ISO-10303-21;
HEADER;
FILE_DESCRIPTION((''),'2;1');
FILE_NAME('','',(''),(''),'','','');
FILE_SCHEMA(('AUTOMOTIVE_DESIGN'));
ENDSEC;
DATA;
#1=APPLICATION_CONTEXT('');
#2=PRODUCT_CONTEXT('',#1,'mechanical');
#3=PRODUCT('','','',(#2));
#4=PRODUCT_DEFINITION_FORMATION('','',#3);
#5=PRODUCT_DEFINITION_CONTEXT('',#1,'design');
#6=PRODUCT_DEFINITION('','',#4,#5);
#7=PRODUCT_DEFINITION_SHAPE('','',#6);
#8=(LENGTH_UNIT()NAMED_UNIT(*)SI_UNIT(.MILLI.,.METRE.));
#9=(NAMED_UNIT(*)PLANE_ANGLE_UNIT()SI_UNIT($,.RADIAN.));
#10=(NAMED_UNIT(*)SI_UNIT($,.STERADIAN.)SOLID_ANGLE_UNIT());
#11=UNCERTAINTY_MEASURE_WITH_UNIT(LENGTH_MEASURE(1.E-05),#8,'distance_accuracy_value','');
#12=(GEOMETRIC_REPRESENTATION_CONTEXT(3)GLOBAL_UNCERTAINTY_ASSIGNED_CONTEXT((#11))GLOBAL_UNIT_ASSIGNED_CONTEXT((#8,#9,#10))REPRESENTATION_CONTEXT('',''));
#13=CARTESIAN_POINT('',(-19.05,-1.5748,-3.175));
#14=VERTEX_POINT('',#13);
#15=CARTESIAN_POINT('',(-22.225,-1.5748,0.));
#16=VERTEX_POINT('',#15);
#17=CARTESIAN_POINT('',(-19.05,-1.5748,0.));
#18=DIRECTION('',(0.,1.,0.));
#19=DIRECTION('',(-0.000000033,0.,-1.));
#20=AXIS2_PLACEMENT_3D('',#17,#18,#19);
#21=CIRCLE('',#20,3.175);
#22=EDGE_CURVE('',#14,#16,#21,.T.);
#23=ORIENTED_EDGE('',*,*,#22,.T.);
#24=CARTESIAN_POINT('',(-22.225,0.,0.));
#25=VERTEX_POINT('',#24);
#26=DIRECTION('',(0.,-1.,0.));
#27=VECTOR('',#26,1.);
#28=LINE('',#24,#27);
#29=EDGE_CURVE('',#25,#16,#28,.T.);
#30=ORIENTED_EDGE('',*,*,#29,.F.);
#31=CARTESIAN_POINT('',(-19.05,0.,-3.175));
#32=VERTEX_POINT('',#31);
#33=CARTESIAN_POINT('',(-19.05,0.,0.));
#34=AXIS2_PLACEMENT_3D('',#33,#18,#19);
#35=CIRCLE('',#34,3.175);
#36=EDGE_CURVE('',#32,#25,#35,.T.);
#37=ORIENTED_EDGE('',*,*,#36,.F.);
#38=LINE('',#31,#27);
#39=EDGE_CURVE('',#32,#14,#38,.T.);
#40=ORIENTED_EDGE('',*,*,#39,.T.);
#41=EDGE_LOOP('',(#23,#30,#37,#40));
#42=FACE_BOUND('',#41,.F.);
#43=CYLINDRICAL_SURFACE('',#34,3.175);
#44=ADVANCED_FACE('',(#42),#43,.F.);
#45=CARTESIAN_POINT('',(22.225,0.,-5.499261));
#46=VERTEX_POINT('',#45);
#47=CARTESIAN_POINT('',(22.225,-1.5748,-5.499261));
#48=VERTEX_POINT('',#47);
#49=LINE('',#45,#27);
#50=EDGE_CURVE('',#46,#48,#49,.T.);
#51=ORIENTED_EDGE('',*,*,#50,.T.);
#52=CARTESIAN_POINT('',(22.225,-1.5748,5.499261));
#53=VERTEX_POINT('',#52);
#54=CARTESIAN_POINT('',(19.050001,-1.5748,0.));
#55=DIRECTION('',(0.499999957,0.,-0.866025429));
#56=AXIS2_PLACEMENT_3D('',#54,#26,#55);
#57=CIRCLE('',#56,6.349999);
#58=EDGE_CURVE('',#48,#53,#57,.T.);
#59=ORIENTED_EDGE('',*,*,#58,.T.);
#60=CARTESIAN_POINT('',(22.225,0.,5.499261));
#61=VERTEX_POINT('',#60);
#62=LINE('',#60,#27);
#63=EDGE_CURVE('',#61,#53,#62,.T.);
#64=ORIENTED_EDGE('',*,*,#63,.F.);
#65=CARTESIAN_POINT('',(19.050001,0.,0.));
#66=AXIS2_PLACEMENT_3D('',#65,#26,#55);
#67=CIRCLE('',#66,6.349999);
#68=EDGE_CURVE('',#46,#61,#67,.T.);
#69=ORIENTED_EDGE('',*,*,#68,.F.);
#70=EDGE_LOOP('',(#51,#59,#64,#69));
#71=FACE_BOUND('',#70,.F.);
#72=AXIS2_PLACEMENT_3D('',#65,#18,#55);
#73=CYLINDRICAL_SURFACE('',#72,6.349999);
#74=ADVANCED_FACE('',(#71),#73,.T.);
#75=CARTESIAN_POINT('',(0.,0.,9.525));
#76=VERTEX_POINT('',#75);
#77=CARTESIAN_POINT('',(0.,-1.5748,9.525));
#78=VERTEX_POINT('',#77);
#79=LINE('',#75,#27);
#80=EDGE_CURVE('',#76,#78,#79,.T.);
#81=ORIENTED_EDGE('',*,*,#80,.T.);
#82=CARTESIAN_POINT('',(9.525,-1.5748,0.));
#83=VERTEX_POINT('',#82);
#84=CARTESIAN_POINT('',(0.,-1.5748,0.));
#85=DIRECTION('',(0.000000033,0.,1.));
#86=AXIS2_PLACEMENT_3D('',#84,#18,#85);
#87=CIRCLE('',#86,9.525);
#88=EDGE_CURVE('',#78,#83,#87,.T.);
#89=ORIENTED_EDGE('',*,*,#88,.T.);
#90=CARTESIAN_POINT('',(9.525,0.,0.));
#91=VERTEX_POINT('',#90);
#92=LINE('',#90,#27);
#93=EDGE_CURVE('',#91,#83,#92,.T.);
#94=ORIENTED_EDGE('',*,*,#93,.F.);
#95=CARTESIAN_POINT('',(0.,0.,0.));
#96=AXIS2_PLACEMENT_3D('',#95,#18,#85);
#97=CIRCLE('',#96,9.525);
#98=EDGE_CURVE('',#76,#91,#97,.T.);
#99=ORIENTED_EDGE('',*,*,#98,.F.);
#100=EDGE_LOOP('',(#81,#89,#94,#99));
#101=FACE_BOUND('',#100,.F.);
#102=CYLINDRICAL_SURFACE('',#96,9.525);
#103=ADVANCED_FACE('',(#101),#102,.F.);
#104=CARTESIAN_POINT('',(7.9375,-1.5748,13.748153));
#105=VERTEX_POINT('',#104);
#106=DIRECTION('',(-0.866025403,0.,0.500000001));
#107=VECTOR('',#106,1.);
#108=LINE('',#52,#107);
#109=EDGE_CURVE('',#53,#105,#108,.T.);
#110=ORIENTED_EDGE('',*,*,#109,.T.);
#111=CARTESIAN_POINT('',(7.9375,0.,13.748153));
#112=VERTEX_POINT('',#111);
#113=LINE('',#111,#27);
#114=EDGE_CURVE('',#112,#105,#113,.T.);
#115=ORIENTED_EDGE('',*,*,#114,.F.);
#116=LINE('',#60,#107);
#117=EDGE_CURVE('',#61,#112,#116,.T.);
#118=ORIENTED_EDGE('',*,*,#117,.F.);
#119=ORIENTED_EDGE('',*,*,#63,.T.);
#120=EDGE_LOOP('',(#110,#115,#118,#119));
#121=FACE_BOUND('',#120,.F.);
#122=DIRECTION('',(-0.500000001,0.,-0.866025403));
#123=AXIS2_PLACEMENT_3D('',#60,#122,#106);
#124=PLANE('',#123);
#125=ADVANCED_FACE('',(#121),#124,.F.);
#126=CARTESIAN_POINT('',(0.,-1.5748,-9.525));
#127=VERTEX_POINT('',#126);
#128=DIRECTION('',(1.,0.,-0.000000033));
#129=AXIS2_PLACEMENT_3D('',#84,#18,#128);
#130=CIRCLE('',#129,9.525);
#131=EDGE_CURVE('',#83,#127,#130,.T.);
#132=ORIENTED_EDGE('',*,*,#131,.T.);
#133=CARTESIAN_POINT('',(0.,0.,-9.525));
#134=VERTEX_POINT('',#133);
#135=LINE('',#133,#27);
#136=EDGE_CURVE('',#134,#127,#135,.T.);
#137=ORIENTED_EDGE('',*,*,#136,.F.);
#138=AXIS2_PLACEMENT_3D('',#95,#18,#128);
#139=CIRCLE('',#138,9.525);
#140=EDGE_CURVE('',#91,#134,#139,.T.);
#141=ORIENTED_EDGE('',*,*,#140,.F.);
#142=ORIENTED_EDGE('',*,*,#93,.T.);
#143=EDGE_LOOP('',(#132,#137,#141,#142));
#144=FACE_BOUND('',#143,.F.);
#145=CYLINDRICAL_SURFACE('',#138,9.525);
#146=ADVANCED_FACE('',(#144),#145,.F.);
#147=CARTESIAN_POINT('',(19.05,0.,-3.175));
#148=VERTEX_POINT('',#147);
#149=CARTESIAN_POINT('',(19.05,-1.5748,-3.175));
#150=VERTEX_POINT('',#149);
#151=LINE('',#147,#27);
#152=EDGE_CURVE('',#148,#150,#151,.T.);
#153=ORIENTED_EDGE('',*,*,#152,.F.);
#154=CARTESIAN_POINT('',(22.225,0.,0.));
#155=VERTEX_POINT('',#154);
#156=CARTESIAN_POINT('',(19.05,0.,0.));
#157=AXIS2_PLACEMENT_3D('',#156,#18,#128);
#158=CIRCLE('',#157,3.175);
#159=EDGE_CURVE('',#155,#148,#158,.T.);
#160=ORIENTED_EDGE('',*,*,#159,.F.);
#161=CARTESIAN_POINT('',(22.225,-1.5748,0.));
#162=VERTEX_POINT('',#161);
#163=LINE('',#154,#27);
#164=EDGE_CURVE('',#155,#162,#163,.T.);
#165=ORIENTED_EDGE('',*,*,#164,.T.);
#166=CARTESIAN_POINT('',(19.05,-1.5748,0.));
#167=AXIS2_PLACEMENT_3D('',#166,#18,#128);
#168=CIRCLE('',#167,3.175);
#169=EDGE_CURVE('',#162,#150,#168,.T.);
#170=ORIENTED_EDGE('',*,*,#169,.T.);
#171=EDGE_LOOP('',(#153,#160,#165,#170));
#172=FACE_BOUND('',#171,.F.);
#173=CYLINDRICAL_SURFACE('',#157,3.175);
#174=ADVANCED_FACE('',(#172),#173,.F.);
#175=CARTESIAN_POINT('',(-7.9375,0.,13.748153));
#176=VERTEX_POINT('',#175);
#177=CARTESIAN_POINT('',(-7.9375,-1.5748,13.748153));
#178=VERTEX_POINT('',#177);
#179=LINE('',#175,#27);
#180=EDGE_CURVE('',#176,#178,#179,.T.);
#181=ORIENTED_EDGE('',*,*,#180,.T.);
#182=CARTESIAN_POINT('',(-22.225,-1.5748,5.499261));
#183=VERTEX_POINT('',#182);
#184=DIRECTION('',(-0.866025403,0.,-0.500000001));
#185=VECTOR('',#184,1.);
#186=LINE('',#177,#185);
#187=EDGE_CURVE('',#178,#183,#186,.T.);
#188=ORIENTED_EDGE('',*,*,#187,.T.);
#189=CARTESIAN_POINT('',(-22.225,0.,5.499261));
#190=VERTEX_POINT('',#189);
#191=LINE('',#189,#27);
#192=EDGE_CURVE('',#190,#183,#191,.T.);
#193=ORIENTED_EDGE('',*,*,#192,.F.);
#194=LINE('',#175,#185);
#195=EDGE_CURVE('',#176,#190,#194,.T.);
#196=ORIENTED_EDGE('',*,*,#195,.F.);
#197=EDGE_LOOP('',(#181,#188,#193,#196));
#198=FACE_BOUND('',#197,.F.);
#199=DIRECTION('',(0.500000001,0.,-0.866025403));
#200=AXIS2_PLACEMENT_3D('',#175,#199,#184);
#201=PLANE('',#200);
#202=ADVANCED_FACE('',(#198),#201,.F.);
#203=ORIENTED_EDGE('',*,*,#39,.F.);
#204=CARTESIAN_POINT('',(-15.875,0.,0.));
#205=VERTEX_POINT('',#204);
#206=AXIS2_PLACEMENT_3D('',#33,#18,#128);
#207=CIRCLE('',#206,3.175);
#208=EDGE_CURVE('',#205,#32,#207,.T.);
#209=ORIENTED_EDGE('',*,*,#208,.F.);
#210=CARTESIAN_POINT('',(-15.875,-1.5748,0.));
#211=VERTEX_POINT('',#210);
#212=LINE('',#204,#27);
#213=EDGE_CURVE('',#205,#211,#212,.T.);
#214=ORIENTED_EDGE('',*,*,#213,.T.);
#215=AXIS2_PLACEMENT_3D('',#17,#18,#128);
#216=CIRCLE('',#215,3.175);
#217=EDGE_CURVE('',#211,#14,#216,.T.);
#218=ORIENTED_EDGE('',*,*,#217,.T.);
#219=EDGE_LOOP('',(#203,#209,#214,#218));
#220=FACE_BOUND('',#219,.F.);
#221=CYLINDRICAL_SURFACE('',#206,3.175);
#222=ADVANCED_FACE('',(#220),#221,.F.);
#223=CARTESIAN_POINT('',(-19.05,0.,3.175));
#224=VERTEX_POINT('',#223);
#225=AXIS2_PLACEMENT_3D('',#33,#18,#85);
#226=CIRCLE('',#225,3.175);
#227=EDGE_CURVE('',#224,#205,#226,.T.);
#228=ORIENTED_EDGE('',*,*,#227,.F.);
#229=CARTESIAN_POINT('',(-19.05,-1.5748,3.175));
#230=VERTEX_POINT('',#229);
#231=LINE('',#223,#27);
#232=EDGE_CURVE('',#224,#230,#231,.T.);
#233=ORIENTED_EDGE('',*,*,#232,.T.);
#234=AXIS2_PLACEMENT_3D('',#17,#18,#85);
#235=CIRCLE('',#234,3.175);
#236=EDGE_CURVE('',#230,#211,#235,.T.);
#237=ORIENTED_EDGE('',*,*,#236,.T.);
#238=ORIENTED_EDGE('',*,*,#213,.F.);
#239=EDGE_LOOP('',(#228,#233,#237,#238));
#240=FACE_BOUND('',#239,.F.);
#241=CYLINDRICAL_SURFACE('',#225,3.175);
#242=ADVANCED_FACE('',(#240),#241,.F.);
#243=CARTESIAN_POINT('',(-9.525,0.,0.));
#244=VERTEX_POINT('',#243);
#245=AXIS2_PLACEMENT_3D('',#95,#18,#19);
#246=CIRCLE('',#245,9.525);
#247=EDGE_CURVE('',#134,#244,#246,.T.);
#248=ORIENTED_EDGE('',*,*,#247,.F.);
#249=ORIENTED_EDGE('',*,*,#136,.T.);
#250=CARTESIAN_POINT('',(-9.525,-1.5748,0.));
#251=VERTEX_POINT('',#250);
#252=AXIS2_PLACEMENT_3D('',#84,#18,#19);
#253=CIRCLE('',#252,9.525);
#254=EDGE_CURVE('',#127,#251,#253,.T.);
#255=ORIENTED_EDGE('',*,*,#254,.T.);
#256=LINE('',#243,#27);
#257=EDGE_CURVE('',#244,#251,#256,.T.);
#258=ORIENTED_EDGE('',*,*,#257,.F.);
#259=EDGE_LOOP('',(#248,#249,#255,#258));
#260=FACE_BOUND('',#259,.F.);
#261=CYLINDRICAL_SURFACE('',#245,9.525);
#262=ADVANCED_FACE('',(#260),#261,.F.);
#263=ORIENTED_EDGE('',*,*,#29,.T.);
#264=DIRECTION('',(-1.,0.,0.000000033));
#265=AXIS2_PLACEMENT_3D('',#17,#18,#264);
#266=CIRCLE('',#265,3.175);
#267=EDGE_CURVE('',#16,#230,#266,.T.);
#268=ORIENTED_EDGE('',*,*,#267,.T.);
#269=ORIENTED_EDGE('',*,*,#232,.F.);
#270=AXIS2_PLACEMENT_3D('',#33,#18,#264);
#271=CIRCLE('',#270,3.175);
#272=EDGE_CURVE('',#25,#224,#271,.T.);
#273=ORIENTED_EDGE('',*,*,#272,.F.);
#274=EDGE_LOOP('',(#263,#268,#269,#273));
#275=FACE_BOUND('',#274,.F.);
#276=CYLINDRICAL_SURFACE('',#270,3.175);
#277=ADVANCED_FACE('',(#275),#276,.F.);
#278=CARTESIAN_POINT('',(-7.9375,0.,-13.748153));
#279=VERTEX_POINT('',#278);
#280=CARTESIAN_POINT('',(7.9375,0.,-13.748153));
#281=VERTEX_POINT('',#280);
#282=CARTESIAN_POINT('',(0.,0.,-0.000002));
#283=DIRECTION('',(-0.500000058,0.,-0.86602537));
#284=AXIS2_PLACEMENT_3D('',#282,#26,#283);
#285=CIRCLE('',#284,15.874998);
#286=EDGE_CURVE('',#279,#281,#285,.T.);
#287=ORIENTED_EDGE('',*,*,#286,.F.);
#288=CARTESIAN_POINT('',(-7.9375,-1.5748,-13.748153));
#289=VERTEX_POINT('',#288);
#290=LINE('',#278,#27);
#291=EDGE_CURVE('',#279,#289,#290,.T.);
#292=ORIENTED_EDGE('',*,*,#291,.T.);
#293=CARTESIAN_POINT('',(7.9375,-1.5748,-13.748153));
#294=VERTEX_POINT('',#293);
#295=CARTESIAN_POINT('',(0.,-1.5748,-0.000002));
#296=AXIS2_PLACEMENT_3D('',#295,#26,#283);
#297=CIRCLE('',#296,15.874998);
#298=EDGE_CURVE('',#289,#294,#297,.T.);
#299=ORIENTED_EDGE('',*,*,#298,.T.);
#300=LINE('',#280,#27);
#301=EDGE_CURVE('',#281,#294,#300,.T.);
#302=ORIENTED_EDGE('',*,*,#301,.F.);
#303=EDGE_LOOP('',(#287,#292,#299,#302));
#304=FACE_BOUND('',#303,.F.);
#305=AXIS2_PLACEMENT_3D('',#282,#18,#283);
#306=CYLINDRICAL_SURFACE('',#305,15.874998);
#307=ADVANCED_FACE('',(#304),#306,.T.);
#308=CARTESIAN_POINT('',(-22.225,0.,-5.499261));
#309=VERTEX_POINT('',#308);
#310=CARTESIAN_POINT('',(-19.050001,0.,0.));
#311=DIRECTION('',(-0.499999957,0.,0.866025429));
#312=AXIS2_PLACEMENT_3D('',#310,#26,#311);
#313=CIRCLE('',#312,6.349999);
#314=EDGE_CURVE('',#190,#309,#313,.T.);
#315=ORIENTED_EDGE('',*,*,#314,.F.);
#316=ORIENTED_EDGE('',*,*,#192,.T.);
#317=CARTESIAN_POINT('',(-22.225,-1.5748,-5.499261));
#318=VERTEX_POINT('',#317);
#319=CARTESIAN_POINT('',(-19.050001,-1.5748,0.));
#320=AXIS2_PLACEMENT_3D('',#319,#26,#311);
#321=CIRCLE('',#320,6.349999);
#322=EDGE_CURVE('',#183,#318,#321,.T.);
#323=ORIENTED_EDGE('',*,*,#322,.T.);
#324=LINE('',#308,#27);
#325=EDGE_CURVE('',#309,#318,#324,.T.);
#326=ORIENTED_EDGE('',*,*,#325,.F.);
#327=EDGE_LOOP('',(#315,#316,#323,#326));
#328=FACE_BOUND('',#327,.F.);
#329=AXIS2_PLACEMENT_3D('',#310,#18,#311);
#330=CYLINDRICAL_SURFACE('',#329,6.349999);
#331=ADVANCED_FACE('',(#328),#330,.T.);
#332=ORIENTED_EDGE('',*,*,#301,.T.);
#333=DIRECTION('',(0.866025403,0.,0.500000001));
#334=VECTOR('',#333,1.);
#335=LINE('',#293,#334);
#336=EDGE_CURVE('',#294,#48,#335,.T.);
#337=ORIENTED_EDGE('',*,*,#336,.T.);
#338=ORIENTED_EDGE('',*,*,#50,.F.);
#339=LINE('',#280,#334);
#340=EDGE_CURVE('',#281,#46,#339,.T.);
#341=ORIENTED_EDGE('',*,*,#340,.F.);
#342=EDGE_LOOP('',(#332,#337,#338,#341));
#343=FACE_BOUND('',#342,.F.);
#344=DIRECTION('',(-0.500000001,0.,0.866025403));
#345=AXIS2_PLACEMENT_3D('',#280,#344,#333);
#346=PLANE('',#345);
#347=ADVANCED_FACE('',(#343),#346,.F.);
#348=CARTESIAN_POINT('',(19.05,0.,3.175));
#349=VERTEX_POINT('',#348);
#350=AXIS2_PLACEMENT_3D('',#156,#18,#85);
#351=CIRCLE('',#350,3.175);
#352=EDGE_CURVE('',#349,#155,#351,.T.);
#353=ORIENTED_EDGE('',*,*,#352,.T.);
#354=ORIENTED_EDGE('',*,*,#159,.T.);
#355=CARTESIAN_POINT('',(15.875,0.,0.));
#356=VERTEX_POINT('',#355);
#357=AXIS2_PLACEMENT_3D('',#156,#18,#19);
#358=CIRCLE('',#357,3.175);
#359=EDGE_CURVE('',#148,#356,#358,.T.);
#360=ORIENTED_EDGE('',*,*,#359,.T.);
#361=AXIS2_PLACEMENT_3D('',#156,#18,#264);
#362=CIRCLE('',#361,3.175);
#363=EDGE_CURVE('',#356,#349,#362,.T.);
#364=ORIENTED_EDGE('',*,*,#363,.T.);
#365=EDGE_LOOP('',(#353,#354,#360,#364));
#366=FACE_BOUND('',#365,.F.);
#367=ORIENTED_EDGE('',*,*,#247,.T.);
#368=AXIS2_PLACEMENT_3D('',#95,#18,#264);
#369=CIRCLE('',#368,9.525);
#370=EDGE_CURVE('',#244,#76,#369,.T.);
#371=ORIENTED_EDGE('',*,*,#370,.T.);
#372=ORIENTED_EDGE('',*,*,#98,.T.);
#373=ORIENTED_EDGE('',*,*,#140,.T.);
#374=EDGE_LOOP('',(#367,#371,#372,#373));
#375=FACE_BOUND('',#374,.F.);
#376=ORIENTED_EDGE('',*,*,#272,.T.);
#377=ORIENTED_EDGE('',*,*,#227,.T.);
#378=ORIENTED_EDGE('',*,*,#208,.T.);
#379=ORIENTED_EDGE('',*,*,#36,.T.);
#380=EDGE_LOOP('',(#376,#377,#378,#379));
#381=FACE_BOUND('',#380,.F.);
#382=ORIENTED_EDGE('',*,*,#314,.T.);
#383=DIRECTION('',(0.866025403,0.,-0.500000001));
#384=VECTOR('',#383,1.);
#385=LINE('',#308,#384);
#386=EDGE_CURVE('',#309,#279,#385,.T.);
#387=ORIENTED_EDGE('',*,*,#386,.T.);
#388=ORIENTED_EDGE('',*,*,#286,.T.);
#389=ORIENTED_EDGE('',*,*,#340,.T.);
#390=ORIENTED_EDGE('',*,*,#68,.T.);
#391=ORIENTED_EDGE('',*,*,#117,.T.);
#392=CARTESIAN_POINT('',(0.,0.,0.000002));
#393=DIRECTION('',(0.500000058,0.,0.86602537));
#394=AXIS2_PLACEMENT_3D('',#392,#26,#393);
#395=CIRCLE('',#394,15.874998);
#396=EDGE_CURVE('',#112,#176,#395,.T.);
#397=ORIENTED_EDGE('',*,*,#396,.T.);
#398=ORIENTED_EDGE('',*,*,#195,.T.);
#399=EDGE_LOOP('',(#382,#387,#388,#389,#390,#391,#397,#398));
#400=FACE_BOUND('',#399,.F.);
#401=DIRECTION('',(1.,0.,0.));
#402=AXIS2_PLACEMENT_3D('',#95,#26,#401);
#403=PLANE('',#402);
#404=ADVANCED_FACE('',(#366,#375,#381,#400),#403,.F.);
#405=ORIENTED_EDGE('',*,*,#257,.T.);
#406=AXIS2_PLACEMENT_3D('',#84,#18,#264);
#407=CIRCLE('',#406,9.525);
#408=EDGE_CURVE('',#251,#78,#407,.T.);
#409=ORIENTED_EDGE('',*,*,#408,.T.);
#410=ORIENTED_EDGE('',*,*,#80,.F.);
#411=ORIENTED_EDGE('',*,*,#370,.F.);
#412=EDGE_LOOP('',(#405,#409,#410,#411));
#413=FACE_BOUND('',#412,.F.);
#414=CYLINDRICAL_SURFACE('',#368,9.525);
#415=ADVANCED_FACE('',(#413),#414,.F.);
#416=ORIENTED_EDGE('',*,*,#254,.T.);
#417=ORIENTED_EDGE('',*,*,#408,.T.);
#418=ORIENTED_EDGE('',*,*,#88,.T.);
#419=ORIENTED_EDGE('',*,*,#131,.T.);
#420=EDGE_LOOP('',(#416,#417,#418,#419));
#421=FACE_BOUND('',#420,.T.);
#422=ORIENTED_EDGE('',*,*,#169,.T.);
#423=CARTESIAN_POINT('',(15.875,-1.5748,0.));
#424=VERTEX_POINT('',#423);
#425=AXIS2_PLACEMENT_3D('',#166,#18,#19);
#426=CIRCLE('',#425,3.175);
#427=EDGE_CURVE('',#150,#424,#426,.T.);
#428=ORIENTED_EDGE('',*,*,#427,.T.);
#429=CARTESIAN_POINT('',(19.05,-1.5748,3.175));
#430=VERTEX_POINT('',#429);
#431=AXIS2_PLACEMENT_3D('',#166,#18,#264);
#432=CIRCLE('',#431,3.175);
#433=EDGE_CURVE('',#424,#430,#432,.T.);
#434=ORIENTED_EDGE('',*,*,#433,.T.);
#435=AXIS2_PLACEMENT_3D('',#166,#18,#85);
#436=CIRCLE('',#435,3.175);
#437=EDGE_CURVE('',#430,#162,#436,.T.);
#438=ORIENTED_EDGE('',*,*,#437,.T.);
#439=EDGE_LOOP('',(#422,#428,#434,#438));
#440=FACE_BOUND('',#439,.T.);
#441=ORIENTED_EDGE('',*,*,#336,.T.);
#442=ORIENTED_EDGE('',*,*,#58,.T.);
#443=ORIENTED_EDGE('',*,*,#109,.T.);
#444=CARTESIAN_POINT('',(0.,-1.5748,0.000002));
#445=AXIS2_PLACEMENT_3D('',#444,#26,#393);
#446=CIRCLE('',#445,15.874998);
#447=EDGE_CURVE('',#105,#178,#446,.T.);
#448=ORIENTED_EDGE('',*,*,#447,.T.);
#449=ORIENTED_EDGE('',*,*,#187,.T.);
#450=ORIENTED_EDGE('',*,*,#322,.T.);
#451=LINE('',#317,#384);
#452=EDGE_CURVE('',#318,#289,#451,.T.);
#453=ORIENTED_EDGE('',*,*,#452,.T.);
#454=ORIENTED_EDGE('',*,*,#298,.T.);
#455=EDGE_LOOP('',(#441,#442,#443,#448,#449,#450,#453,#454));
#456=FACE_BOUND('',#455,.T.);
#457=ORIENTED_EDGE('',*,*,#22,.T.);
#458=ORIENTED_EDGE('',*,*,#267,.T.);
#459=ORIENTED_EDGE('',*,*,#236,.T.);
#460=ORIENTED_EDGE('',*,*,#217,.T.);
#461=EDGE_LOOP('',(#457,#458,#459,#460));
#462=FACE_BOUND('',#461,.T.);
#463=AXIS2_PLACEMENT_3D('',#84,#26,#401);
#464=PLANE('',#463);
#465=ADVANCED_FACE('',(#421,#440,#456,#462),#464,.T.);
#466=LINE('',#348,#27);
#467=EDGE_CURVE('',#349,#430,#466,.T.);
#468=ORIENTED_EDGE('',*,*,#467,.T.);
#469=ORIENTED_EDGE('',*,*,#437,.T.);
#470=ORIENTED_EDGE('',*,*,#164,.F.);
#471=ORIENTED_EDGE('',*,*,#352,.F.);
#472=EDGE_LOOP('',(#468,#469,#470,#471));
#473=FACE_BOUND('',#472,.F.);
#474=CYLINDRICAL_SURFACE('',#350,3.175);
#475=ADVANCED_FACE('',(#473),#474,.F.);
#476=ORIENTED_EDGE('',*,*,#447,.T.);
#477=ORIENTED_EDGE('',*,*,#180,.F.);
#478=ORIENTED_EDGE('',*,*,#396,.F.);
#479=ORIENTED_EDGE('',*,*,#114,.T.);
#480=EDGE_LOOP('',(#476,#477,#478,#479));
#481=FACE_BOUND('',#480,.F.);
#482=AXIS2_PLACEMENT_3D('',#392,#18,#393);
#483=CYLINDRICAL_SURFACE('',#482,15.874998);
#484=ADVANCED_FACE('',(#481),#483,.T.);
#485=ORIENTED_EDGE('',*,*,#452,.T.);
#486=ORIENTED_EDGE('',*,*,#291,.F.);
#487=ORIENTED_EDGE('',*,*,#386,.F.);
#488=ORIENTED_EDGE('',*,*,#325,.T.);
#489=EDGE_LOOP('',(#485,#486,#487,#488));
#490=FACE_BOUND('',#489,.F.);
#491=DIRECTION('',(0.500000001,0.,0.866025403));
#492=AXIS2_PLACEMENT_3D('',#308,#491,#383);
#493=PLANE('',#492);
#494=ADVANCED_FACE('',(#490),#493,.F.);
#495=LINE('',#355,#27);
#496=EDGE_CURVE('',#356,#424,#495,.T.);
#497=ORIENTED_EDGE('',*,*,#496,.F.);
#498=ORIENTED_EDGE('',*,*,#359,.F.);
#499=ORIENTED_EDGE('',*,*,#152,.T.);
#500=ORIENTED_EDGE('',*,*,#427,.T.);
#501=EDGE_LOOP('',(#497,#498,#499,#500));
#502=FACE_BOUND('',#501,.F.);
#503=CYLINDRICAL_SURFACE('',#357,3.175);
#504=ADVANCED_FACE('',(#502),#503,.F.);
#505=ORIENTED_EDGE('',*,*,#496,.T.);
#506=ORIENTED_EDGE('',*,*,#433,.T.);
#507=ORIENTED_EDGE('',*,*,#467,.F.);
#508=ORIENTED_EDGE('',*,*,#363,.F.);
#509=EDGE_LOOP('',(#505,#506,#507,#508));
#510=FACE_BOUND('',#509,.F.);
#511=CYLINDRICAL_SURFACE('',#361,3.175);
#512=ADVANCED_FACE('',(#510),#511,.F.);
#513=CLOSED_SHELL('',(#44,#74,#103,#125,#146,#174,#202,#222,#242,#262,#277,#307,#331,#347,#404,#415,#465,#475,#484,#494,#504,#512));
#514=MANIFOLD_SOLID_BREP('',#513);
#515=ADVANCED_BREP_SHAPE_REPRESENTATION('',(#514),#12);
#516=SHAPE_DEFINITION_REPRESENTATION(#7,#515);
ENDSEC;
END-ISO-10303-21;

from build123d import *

# Parameters (mm, degrees)
F1_DEPTH = 1.5748


with BuildPart() as f1:
    # F0 (on Front) → F1 (new body)
    with BuildSketch(Plane.XZ):
        with BuildLine():
            Line((-7.9375, 13.748153), (-22.225, 5.499261))
            ThreePointArc((-22.225, 5.499261), (-25.4, 0), (-22.225, -5.499261))
            Line((-22.225, -5.499261), (-7.9375, -13.748153))
            ThreePointArc((-7.9375, -13.748153), (0, -15.875), (7.9375, -13.748153))
            Line((7.9375, -13.748153), (22.225, -5.499261))
            ThreePointArc((22.225, -5.499261), (25.4, 0), (22.225, 5.499261))
            Line((22.225, 5.499261), (7.9375, 13.748153))
            ThreePointArc((7.9375, 13.748153), (0, 15.875), (-7.9375, 13.748153))
        make_face()
        with BuildLine():
            ThreePointArc((-19.05, 3.175), (-16.804936, 2.245064), (-15.875, 0))
            ThreePointArc((-15.875, 0), (-16.804936, -2.245064), (-19.05, -3.175))
            ThreePointArc((-19.05, -3.175), (-21.295064, -2.245064), (-22.225, 0))
            ThreePointArc((-22.225, 0), (-21.295064, 2.245064), (-19.05, 3.175))
        make_face(mode=Mode.SUBTRACT)
        with BuildLine():
            ThreePointArc((0, 9.525), (6.735192, 6.735192), (9.525, 0))
            ThreePointArc((9.525, 0), (6.735192, -6.735192), (0, -9.525))
            ThreePointArc((0, -9.525), (-6.735192, -6.735192), (-9.525, 0))
            ThreePointArc((-9.525, 0), (-6.735192, 6.735192), (0, 9.525))
        make_face(mode=Mode.SUBTRACT)
        with BuildLine():
            ThreePointArc((19.05, 3.175), (21.295064, 2.245064), (22.225, 0))
            ThreePointArc((22.225, 0), (21.295064, -2.245064), (19.05, -3.175))
            ThreePointArc((19.05, -3.175), (16.804936, -2.245064), (15.875, 0))
            ThreePointArc((15.875, 0), (16.804936, 2.245064), (19.05, 3.175))
        make_face(mode=Mode.SUBTRACT)
    extrude(amount=F1_DEPTH)


solid = f1.part
